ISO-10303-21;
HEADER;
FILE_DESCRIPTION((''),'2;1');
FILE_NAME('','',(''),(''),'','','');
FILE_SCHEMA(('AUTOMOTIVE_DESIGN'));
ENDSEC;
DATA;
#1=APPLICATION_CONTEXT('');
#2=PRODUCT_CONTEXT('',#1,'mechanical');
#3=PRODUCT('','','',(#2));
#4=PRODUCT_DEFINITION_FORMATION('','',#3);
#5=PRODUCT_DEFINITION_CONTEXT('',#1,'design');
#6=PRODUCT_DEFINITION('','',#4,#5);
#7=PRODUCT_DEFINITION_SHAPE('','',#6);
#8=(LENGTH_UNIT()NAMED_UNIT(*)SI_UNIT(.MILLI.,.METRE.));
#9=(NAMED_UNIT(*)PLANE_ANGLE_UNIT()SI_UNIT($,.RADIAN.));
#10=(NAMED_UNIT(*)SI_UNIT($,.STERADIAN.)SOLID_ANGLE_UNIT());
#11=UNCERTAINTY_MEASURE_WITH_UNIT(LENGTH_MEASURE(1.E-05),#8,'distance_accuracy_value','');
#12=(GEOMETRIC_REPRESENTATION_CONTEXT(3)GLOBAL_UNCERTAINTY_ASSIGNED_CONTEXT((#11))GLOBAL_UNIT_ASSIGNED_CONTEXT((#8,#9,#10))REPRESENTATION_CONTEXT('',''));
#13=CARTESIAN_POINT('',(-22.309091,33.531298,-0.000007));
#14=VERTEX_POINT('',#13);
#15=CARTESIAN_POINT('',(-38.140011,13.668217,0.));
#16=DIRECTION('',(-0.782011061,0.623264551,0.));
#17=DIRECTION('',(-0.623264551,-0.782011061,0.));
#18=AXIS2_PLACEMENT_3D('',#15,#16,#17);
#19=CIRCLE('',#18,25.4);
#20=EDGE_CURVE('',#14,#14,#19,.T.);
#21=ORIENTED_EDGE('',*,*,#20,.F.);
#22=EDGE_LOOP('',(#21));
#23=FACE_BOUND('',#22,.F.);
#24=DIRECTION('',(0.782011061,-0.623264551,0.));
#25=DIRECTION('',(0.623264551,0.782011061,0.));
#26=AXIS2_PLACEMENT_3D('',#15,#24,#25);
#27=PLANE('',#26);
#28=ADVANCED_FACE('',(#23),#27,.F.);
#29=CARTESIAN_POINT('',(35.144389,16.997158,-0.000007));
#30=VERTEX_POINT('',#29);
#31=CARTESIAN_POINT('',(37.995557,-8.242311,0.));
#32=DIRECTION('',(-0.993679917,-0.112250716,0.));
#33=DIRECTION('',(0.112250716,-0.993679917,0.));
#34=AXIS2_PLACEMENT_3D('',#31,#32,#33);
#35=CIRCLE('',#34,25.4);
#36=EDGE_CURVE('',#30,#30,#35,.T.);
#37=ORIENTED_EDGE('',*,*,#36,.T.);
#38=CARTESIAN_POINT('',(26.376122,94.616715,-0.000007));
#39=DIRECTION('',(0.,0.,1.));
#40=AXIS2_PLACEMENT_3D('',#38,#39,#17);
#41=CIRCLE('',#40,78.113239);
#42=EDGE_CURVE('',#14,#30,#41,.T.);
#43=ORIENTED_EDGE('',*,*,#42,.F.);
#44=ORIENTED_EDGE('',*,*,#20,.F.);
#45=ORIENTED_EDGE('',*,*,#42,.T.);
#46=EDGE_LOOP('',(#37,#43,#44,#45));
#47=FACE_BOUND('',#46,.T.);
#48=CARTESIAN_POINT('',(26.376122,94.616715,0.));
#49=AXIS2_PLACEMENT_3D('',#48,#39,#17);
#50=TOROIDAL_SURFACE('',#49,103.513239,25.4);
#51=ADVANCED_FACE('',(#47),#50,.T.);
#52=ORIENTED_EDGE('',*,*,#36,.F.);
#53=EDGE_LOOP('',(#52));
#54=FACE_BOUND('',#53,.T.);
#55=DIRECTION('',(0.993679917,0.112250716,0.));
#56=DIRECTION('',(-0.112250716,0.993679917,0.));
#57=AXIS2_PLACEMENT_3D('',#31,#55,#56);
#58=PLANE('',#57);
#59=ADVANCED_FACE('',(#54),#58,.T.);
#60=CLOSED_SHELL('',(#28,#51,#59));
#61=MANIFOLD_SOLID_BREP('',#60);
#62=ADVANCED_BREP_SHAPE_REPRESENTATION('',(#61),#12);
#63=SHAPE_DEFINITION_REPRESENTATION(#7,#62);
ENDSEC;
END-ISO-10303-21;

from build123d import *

# Parameters (mm, degrees)
F2_R = 25.4


with BuildPart() as f3:
    # F3: sweep along a path in F0
    with BuildLine(Plane.XY) as f3_path:
        ThreePointArc((-38.194613, 13.599713), (-2.275595, -4.943385), (38.005387, -8.329361))
    # F2 (on face) → F3 (sweep)
    with BuildSketch(Plane(origin=(36.597443, 4.134217, 0), x_dir=(-0.112251, 0.99368, 0), z_dir=(0.99368, 0.112251, 0))):
        with Locations((-12.455247, 0)):
            Circle(F2_R)
    sweep(path=f3_path.line)


solid = f3.part
